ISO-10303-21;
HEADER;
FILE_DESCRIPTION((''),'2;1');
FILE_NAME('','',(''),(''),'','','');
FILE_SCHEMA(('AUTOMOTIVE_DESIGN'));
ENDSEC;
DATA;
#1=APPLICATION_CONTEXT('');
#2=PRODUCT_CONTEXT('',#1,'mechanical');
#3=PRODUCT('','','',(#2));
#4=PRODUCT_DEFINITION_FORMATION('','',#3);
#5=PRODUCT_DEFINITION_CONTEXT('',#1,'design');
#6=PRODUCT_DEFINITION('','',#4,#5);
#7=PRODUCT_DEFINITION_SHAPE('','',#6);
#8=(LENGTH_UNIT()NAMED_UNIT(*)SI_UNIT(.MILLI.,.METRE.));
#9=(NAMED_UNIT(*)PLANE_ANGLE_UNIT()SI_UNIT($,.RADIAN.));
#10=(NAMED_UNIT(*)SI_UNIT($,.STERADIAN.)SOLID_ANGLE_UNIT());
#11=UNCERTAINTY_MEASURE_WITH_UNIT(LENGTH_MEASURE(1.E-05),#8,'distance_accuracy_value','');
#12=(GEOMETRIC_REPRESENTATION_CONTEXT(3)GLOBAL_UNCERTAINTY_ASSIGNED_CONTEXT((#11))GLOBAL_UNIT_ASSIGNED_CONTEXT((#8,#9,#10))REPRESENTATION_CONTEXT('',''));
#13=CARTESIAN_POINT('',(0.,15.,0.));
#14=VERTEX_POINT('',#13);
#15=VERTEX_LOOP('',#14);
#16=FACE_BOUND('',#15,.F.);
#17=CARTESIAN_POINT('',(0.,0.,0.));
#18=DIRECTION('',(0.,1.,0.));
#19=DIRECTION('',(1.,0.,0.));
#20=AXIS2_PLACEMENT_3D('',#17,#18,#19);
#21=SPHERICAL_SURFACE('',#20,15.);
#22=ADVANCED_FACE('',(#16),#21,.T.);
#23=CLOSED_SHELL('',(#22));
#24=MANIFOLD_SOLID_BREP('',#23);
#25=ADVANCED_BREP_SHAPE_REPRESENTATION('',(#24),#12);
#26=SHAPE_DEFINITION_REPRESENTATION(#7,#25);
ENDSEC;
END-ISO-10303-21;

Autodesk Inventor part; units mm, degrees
ref_plane "YZ Plane" through (0, 0, 0) normal (1, 0, 0) x (0, 1, 0)
ref_plane "XZ Plane" through (0, 0, 0) normal (0, 1, 0) x (-1, 0, 0)
ref_plane "XY Plane" through (0, 0, 0) normal (0, 0, 1) x (1, 0, 0)
sketch "Sketch1" plane through (0, 0, 0) normal (0, 0, 1) x (1, 0, 0)
  arc A0 (0, -15) -> (0, 15) centre (0, 0) ccw
  line L0 (0, 15) -> (0, -15)
  dimension "d0" = 15
revolve "Revolution1" add sketch "Sketch1" angle 360 about axis through (0, 15, 0) along (0, -1, 0)
properties part number "pong_ball"
